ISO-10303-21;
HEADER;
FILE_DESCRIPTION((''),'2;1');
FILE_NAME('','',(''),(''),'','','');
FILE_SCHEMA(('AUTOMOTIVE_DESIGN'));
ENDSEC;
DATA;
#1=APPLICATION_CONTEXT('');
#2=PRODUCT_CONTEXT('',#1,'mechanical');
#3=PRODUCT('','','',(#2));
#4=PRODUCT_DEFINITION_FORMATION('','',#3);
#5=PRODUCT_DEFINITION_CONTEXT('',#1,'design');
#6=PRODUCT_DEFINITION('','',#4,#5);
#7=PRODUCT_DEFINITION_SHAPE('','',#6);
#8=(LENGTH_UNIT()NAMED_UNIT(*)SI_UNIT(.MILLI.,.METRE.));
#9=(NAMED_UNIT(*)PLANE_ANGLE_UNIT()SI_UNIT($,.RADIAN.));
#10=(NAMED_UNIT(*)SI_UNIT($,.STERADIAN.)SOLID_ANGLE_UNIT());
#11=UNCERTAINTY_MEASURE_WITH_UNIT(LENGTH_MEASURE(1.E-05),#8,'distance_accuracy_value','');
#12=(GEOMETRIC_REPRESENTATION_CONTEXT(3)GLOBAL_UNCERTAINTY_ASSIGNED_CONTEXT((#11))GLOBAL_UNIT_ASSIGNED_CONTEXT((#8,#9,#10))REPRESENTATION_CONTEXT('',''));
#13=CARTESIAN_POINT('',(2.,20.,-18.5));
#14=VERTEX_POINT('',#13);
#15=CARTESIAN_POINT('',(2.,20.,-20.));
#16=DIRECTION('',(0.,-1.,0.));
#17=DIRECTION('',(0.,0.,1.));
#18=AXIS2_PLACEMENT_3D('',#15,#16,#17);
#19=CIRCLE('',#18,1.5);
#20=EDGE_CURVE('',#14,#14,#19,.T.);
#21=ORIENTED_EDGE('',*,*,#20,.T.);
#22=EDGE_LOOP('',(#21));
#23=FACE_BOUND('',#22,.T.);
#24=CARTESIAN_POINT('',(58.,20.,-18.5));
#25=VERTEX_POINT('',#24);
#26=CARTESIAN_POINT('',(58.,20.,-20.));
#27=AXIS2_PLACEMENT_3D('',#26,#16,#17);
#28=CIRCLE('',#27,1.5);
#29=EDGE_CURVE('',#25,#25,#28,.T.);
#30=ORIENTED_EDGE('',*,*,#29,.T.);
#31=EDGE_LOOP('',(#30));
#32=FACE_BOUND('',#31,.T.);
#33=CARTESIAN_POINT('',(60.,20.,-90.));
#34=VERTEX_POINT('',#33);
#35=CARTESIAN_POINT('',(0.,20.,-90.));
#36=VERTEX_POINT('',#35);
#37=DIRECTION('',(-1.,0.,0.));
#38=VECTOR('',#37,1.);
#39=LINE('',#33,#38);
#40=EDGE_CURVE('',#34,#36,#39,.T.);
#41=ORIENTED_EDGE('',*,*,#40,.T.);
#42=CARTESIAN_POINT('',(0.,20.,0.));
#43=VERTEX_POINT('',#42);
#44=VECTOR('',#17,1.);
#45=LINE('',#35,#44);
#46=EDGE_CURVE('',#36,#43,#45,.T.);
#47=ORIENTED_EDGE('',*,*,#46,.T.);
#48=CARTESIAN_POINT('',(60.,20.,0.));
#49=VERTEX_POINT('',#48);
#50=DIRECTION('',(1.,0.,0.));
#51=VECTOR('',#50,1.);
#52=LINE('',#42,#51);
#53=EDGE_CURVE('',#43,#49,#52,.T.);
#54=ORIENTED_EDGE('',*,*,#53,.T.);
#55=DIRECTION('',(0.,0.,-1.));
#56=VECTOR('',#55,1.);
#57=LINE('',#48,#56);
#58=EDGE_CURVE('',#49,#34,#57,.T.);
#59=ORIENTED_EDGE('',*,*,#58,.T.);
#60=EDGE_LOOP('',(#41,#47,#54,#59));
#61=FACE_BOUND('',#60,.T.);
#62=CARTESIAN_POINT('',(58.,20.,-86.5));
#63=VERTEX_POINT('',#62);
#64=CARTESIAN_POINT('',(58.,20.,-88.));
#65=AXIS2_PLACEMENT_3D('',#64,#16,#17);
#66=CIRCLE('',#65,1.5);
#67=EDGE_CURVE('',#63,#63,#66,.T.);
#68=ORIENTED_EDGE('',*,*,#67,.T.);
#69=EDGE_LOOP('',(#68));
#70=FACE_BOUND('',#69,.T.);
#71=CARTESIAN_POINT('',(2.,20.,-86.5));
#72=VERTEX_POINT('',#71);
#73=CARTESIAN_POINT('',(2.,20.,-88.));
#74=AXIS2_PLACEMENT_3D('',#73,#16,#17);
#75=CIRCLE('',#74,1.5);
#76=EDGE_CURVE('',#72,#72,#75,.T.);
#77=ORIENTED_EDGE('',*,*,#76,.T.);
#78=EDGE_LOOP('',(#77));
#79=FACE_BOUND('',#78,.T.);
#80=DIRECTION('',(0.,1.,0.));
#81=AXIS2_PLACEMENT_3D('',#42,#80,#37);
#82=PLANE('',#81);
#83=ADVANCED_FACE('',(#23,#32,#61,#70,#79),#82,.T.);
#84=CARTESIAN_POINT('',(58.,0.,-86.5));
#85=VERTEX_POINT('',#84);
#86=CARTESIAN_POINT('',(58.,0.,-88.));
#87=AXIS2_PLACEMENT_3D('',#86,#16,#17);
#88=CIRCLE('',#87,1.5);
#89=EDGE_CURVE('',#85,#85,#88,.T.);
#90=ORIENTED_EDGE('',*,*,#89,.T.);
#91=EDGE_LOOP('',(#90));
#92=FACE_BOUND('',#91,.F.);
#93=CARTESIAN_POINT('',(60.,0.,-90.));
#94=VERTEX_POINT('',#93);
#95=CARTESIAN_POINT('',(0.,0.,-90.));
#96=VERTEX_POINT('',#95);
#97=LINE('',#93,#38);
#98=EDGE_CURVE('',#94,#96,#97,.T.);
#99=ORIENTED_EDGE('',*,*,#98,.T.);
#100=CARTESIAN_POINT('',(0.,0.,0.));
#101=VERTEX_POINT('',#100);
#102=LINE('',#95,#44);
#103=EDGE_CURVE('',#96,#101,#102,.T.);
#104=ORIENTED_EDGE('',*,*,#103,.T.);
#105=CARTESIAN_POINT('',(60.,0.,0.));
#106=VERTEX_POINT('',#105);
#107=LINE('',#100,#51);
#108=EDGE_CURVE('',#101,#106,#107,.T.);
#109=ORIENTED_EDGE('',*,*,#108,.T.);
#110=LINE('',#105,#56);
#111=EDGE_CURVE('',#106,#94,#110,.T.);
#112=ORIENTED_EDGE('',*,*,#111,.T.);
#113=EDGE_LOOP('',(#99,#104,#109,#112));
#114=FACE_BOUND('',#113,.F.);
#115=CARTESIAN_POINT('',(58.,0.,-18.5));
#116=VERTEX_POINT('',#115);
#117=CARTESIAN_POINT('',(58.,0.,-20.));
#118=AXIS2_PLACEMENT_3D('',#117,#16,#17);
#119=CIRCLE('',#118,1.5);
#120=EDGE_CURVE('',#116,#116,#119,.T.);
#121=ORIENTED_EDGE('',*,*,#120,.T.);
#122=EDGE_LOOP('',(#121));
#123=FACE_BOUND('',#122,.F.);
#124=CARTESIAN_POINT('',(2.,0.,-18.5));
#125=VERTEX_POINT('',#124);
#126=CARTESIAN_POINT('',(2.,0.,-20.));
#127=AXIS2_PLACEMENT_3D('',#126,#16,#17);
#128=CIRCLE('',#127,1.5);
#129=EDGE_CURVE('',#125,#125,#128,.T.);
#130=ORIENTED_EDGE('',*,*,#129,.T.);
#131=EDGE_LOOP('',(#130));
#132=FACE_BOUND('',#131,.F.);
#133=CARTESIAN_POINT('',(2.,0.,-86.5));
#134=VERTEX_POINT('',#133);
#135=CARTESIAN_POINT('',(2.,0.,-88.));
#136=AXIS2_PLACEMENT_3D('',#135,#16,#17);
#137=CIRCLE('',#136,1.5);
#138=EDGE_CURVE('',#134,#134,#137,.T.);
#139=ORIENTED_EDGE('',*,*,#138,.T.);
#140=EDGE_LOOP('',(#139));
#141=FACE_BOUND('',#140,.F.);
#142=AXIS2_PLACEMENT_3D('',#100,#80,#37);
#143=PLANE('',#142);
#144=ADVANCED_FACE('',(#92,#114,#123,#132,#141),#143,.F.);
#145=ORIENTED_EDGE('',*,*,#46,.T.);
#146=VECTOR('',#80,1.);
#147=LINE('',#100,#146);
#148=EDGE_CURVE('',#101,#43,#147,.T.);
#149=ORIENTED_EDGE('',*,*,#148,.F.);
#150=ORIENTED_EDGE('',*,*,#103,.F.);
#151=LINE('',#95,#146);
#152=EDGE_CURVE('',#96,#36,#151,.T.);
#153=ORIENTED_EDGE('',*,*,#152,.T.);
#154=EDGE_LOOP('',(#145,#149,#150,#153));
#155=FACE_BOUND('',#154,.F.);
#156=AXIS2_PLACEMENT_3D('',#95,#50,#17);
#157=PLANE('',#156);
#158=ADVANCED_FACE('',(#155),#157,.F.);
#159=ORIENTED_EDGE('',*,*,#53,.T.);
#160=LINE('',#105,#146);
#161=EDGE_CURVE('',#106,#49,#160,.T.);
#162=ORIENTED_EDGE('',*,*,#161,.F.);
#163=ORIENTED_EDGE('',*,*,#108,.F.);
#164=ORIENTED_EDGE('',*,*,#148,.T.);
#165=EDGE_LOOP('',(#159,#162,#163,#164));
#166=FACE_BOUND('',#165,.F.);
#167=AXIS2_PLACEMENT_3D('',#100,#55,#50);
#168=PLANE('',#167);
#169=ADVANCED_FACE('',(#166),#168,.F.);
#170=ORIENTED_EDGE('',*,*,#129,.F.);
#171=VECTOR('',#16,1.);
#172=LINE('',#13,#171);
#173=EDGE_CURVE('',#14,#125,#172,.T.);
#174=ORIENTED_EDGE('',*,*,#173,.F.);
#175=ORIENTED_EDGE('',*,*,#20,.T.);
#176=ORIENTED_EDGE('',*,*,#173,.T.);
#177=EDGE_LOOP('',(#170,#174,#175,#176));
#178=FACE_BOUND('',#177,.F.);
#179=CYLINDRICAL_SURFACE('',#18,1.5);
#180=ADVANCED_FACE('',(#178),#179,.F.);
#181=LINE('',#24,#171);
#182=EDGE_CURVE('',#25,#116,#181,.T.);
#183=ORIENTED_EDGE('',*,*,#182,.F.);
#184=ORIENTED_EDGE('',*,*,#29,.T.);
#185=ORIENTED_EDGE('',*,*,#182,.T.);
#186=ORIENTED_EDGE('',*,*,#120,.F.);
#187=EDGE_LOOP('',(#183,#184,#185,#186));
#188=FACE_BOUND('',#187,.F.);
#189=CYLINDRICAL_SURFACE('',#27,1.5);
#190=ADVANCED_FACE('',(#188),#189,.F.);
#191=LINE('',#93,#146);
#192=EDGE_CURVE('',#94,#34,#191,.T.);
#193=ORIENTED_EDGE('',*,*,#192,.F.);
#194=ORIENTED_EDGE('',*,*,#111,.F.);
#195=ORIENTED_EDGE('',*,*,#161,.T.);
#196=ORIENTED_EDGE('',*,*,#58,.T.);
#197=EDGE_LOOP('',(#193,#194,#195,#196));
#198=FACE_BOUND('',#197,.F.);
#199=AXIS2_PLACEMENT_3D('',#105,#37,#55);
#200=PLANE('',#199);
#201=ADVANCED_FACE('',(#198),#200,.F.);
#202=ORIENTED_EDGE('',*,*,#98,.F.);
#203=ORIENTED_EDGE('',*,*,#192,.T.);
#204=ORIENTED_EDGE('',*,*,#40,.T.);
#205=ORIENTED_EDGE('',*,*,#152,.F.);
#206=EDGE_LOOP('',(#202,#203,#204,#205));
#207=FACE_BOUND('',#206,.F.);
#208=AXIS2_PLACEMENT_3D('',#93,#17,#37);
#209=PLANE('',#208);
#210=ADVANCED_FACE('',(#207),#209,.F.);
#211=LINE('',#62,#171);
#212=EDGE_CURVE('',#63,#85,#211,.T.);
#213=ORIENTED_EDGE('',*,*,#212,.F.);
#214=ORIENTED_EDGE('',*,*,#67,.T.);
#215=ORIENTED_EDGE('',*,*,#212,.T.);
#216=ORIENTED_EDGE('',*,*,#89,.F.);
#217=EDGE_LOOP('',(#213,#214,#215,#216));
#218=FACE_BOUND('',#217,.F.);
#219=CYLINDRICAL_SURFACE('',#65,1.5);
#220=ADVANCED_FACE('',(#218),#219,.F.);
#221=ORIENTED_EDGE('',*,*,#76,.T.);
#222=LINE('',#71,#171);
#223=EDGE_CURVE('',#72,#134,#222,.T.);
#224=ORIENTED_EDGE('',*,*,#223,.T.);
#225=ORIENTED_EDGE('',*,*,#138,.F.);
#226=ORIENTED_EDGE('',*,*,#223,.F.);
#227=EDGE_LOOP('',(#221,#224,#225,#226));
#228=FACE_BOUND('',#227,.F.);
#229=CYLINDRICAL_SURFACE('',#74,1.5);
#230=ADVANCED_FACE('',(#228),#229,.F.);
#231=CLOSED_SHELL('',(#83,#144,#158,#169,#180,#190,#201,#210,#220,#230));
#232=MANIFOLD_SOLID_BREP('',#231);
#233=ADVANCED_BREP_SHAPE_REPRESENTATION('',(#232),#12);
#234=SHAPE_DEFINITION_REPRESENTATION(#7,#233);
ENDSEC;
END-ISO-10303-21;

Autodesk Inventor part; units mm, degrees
ref_plane "YZ Plane" through (0, 0, 0) normal (1, 0, 0) x (0, 1, 0)
ref_plane "XZ Plane" through (0, 0, 0) normal (0, 1, 0) x (-1, 0, 0)
ref_plane "XY Plane" through (0, 0, 0) normal (0, 0, 1) x (1, 0, 0)
sketch "Skizze1" plane through (0, 0, 0) normal (0, 1, 0) x (-1, 0, 0)
  line L0 (0, 0) -> (-60, 0)
  line L1 (-60, 0) -> (-60, -90)
  line L2 (-60, -90) -> (0, -90)
  line L3 (0, -90) -> (0, 0)
  dimension "d0" = 60
  dimension "d1" = 90
extrude "Extrusion1" add sketch "Skizze1" along normal blind 20
sketch "Skizze2" plane through (0, 20, 0) normal (0, 1, 0) x (1, 0, 0)
  line L0 (60, 0) -> (60, 90) projected
  line L1 (60, 90) -> (0, 90) projected
  line L2 (0, 90) -> (0, 0) projected
  line L3 (0, 0) -> (60, 0) projected
  point P0 (58, 88)
  point P1 (2, 88)
  point P2 (2, 20)
  point P3 (58, 20)
  dimension "d4" = 2
  dimension "d5" = 2
  dimension "d6" = 2
  dimension "d7" = 2
  dimension "d8" = 2
  dimension "d9" = 2
  dimension "d10" = 20
  dimension "d11" = 20
hole "Bohrung1" at (58, 20, -88) at (58, 20, -20) at (2, 20, -88) at (2, 20, -20) direction (0, -1, 0) diameter 3 end through all
properties part number "Raspberry_Dummy"
